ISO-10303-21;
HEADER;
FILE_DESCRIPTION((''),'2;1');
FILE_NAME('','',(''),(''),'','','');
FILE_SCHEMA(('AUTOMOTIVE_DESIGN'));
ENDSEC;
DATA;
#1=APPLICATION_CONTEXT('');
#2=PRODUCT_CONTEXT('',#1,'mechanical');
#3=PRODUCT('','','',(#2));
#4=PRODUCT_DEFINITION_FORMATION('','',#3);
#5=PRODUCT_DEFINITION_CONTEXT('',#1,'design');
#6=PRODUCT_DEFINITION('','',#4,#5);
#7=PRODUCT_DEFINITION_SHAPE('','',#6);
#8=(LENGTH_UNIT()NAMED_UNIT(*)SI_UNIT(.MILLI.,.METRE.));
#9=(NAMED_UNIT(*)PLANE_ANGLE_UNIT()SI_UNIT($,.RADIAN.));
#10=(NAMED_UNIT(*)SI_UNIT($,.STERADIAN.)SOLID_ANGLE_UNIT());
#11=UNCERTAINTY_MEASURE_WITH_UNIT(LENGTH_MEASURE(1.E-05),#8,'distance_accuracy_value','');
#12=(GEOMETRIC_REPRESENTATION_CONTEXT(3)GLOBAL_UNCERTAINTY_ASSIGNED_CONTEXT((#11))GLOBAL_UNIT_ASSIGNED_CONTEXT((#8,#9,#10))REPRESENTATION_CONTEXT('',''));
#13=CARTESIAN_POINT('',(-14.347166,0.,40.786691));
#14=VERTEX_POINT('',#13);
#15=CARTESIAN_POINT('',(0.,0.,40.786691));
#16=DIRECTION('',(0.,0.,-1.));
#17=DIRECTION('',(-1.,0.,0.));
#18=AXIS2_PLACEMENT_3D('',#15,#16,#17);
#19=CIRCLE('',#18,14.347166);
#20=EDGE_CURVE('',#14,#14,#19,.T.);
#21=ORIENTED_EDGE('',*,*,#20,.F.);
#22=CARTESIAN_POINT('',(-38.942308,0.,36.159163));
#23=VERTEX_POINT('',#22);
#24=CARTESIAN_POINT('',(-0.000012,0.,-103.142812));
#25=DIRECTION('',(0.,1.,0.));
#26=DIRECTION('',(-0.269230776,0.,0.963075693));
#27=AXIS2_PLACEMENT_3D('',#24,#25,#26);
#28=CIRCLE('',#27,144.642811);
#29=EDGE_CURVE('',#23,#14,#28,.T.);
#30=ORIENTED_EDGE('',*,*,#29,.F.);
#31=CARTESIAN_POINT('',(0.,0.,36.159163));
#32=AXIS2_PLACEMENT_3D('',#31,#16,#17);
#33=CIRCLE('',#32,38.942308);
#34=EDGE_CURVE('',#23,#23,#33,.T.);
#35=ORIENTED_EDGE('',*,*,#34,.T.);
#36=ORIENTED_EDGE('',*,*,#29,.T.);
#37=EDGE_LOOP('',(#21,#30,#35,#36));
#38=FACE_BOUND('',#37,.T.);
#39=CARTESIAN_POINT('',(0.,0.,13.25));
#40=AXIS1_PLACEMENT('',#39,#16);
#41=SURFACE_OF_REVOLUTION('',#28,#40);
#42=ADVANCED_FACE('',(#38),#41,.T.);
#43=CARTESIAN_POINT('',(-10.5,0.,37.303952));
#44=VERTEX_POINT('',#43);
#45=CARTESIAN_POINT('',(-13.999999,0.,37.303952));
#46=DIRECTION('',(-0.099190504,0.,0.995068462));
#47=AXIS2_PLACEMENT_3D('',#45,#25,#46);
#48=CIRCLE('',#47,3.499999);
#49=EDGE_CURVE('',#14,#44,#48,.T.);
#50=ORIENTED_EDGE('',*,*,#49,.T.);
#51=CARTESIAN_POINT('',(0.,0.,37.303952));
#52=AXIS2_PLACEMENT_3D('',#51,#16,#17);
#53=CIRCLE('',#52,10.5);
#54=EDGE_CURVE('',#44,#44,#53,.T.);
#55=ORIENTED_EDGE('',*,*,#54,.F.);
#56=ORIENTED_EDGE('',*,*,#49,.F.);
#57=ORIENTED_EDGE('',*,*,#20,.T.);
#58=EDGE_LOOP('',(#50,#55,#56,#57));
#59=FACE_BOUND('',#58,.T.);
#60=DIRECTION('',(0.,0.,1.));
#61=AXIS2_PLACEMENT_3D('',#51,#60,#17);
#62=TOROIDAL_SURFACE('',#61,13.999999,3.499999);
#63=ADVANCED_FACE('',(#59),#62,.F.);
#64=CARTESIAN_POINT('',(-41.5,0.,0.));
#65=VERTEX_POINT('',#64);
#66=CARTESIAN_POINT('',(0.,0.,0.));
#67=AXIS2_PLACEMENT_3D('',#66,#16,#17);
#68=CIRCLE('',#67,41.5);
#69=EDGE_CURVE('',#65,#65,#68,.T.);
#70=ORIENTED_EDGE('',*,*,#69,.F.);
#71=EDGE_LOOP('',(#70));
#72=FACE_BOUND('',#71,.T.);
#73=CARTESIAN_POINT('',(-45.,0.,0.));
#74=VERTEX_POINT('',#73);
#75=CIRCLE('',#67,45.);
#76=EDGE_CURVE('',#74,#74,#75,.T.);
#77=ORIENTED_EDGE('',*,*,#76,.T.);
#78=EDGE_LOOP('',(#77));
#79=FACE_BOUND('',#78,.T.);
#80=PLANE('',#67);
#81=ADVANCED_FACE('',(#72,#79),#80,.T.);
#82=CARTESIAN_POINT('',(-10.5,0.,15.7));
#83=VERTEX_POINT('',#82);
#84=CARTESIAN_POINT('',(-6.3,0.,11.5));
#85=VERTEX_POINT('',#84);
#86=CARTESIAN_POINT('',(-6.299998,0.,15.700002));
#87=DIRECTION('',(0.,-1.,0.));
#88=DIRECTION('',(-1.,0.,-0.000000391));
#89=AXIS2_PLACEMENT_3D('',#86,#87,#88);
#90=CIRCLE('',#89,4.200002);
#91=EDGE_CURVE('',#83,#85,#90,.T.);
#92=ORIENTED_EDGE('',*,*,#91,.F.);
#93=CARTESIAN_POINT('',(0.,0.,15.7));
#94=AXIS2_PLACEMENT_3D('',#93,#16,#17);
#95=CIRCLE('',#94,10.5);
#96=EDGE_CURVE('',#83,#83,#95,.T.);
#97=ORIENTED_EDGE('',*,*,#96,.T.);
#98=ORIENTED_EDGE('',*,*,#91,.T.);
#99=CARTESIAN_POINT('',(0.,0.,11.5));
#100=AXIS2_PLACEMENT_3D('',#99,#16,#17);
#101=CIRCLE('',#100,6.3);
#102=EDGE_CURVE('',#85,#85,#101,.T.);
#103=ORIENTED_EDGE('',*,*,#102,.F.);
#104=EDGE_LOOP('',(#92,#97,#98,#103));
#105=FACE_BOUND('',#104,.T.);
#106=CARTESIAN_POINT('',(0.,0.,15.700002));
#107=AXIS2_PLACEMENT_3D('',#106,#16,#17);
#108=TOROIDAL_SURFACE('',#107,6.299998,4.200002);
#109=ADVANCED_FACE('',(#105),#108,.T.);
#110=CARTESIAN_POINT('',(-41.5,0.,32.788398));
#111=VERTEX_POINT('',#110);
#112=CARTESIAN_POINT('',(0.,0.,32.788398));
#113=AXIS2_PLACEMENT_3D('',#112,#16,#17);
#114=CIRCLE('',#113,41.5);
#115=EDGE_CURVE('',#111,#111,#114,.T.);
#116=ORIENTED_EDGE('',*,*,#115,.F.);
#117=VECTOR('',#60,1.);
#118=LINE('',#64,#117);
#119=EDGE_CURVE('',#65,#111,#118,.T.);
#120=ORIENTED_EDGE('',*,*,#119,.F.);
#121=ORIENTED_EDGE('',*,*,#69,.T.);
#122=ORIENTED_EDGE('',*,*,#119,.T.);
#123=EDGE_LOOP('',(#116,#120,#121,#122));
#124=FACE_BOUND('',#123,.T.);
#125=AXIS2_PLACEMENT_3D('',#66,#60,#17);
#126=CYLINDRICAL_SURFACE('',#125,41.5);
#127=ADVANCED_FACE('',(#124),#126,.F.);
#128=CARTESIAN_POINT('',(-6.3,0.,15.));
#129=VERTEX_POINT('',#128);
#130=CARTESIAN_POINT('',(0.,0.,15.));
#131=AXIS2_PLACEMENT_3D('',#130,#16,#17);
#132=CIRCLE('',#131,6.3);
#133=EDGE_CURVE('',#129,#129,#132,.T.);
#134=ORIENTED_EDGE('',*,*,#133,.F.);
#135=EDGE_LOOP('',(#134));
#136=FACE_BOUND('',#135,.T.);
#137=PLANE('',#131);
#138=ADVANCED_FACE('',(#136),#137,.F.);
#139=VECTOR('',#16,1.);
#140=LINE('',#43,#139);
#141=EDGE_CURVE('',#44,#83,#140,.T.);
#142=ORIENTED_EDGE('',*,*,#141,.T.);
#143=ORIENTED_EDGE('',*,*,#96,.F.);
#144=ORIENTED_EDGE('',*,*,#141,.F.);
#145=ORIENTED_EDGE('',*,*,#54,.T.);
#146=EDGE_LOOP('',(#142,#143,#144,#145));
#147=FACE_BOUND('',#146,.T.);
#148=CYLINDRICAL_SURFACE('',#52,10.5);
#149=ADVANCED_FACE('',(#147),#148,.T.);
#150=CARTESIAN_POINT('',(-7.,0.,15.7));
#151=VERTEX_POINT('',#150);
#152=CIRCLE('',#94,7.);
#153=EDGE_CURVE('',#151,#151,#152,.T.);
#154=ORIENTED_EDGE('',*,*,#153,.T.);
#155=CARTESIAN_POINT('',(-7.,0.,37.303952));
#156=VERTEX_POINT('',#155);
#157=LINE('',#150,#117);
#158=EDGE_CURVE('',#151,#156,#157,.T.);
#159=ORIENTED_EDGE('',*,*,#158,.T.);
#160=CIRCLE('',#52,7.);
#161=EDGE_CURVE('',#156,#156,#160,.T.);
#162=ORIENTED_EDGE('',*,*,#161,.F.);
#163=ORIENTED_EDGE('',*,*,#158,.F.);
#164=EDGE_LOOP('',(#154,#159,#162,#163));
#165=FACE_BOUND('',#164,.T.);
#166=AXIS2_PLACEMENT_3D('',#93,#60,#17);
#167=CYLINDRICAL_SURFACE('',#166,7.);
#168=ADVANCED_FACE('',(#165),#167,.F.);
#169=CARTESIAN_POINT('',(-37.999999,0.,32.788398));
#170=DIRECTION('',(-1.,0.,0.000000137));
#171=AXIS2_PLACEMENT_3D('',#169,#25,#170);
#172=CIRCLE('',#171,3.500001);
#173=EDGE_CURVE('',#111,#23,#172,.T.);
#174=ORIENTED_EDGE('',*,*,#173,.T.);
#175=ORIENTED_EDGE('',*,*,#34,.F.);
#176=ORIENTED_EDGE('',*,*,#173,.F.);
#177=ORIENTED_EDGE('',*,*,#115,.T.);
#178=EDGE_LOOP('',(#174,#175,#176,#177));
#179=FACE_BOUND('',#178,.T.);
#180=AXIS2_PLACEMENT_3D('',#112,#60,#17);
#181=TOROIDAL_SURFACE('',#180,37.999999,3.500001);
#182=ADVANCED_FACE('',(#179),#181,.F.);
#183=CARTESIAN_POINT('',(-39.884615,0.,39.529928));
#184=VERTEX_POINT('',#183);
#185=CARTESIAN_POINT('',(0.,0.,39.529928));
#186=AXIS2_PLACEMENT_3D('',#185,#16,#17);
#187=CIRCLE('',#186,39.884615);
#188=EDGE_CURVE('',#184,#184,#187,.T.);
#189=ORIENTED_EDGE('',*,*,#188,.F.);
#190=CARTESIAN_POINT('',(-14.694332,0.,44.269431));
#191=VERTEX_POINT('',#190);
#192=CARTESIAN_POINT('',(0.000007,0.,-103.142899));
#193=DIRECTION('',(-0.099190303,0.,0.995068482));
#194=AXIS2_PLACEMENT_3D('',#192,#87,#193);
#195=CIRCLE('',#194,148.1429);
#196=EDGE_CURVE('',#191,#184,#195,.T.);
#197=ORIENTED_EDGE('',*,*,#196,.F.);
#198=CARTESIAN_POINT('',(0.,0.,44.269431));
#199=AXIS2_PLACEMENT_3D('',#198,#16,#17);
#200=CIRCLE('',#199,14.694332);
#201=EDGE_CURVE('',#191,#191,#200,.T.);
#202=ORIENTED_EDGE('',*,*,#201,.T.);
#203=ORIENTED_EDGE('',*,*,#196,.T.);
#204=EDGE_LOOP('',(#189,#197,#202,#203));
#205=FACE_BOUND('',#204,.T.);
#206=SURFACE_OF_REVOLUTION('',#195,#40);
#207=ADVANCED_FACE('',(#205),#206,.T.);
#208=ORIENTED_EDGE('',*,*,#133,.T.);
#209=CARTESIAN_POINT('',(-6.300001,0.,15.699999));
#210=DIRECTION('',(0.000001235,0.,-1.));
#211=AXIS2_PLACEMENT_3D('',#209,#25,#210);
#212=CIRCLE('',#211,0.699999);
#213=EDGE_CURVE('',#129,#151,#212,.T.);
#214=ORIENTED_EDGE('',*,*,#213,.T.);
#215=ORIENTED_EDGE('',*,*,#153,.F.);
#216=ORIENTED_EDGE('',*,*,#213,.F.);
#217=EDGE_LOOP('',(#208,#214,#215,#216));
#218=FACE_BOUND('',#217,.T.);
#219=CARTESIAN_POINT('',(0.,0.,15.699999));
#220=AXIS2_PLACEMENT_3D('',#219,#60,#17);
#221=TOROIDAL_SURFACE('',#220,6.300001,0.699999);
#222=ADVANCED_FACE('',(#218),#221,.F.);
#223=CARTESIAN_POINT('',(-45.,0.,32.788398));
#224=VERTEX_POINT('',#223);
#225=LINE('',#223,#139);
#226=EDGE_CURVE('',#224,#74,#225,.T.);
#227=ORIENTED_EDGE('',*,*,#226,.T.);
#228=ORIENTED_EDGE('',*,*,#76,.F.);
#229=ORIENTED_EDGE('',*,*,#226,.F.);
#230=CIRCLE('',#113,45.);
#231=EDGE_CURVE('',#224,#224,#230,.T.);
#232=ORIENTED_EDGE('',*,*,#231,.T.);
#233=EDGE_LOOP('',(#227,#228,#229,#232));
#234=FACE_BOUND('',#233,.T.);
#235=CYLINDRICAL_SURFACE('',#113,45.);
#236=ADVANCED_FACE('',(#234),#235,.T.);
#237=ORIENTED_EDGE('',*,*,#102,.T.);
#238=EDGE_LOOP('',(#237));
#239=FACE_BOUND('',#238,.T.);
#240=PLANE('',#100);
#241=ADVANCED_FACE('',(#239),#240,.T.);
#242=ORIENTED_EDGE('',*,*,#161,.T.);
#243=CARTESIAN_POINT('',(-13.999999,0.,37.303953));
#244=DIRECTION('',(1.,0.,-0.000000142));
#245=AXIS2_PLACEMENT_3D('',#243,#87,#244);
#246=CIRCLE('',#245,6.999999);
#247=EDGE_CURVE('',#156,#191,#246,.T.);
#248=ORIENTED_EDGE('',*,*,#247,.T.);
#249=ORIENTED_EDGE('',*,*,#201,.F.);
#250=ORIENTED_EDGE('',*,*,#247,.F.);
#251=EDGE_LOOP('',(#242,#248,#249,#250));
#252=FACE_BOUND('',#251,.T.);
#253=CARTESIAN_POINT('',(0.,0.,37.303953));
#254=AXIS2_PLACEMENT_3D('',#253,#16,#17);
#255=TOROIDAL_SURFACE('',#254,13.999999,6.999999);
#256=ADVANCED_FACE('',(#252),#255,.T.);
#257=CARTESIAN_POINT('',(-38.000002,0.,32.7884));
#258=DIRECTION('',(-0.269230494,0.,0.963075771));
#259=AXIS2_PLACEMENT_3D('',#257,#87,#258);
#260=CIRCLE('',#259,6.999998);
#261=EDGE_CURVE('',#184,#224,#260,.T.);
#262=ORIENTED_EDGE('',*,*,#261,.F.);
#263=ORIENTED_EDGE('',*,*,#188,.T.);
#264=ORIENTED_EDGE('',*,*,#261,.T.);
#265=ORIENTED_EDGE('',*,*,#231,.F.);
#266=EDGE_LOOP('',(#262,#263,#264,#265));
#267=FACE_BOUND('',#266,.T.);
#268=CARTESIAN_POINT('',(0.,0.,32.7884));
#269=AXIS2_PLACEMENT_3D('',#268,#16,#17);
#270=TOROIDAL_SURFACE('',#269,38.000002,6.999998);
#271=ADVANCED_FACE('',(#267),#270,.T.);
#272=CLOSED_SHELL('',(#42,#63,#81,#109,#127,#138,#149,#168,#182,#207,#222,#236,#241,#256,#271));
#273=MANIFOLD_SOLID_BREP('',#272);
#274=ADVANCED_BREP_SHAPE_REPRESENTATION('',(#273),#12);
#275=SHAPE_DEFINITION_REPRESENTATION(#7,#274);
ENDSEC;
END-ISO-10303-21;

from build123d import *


with BuildPart() as f1:
    # F0 (on Front) → F1 (revolve)
    with BuildSketch(Plane.XZ):
        with BuildLine():
            Line((0, 15), (-6.3, 15))
            ThreePointArc((-6.3, 15), (-6.794975, 15.205025), (-7, 15.7))
            Line((-7, 15.7), (-7, 37.303952))
            ThreePointArc((-7, 37.303952), (-9.302145, 42.49338), (-14.694332, 44.269431))
            ThreePointArc((-14.694332, 44.269431), (-27.392172, 42.445518), (-39.884615, 39.529928))
            ThreePointArc((-39.884615, 39.529928), (-43.576393, 37.019692), (-45, 32.788398))
            Line((-45, 32.788398), (-45, 0))
            Line((-45, 0), (-41.5, 0))
            Line((-41.5, 0), (-41.5, 32.788398))
            ThreePointArc((-41.5, 32.788398), (-40.788196, 34.904045), (-38.942308, 36.159163))
            ThreePointArc((-38.942308, 36.159163), (-26.745009, 39.00587), (-14.347166, 40.786691))
            ThreePointArc((-14.347166, 40.786691), (-11.651073, 39.898666), (-10.5, 37.303952))
            Line((-10.5, 37.303952), (-10.5, 15.7))
            ThreePointArc((-10.5, 15.7), (-9.269848, 12.730152), (-6.3, 11.5))
            Line((-6.3, 11.5), (0, 11.5))
            Line((0, 11.5), (0, 15))
        make_face()
    revolve(axis=Axis((0, 0, 13.25), (0, 0, -1)))


solid = f1.part
